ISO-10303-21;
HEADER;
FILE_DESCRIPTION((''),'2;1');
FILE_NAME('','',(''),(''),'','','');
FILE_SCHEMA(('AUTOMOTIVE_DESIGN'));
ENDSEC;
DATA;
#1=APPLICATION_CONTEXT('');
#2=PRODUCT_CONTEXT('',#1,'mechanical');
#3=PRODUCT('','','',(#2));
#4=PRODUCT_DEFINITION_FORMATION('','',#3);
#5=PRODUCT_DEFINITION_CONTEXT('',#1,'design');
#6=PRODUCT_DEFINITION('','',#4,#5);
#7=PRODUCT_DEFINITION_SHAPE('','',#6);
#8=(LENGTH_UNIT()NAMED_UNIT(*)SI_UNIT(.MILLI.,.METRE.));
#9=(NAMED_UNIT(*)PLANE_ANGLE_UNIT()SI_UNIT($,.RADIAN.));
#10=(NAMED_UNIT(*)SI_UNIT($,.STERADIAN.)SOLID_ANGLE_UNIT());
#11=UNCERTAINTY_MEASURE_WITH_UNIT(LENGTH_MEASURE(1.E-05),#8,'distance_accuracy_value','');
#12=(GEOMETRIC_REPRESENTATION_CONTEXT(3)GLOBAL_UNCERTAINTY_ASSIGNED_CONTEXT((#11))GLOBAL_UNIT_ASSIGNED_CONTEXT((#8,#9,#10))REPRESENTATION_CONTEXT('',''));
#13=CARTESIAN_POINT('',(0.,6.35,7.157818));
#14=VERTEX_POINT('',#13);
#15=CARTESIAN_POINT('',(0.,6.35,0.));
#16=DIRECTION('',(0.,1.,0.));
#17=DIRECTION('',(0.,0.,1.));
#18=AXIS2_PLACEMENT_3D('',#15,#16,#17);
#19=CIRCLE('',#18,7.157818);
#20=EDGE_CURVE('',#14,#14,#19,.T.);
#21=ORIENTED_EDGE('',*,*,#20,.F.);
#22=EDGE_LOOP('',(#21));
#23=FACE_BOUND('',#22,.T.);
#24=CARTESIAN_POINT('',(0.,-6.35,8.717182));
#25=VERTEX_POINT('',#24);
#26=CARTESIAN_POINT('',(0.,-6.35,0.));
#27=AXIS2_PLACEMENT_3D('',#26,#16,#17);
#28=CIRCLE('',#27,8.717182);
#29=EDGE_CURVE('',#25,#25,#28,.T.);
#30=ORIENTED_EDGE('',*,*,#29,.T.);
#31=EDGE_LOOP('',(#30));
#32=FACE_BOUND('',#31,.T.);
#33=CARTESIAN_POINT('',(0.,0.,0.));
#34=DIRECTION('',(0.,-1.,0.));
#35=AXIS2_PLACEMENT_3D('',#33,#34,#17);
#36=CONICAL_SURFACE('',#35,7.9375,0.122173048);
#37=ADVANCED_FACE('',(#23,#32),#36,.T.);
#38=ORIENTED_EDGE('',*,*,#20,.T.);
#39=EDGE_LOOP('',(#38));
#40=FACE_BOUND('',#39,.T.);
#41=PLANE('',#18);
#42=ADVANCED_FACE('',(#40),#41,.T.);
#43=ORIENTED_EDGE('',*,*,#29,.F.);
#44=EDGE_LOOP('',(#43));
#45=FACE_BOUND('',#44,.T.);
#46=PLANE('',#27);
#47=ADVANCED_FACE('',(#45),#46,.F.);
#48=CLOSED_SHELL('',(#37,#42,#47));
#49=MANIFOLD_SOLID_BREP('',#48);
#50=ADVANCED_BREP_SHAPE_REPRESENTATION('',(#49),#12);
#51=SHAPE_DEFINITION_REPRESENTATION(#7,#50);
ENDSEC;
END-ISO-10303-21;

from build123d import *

# Parameters (mm, degrees)
SKETCH1_R                     = 7.9375
BOSS_EXTRUDE1_DEPTH           = 6.35
BOSS_EXTRUDE1_TAPER           = 7
BOSS_EXTRUDE1_OTHER_WAY_DEPTH = 6.35
BOSS_EXTRUDE1_OTHER_WAY_TAPER = -7


with BuildPart() as part:
    # Sketch1 → Boss-Extrude1 (new body)
    with BuildSketch(Plane(origin=(0, 0, 0), x_dir=(1, 0, 0), z_dir=(0, 1, 0))):
        Circle(SKETCH1_R)
    extrude(amount=BOSS_EXTRUDE1_DEPTH, taper=BOSS_EXTRUDE1_TAPER)

    # Sketch1 → Boss-Extrude1 other way (add)
    with BuildSketch(Plane(origin=(0, 0, 0), x_dir=(1, 0, 0), z_dir=(0, 1, 0))):
        Circle(SKETCH1_R)
    extrude(amount=-BOSS_EXTRUDE1_OTHER_WAY_DEPTH, taper=BOSS_EXTRUDE1_OTHER_WAY_TAPER)


solid = part.part
